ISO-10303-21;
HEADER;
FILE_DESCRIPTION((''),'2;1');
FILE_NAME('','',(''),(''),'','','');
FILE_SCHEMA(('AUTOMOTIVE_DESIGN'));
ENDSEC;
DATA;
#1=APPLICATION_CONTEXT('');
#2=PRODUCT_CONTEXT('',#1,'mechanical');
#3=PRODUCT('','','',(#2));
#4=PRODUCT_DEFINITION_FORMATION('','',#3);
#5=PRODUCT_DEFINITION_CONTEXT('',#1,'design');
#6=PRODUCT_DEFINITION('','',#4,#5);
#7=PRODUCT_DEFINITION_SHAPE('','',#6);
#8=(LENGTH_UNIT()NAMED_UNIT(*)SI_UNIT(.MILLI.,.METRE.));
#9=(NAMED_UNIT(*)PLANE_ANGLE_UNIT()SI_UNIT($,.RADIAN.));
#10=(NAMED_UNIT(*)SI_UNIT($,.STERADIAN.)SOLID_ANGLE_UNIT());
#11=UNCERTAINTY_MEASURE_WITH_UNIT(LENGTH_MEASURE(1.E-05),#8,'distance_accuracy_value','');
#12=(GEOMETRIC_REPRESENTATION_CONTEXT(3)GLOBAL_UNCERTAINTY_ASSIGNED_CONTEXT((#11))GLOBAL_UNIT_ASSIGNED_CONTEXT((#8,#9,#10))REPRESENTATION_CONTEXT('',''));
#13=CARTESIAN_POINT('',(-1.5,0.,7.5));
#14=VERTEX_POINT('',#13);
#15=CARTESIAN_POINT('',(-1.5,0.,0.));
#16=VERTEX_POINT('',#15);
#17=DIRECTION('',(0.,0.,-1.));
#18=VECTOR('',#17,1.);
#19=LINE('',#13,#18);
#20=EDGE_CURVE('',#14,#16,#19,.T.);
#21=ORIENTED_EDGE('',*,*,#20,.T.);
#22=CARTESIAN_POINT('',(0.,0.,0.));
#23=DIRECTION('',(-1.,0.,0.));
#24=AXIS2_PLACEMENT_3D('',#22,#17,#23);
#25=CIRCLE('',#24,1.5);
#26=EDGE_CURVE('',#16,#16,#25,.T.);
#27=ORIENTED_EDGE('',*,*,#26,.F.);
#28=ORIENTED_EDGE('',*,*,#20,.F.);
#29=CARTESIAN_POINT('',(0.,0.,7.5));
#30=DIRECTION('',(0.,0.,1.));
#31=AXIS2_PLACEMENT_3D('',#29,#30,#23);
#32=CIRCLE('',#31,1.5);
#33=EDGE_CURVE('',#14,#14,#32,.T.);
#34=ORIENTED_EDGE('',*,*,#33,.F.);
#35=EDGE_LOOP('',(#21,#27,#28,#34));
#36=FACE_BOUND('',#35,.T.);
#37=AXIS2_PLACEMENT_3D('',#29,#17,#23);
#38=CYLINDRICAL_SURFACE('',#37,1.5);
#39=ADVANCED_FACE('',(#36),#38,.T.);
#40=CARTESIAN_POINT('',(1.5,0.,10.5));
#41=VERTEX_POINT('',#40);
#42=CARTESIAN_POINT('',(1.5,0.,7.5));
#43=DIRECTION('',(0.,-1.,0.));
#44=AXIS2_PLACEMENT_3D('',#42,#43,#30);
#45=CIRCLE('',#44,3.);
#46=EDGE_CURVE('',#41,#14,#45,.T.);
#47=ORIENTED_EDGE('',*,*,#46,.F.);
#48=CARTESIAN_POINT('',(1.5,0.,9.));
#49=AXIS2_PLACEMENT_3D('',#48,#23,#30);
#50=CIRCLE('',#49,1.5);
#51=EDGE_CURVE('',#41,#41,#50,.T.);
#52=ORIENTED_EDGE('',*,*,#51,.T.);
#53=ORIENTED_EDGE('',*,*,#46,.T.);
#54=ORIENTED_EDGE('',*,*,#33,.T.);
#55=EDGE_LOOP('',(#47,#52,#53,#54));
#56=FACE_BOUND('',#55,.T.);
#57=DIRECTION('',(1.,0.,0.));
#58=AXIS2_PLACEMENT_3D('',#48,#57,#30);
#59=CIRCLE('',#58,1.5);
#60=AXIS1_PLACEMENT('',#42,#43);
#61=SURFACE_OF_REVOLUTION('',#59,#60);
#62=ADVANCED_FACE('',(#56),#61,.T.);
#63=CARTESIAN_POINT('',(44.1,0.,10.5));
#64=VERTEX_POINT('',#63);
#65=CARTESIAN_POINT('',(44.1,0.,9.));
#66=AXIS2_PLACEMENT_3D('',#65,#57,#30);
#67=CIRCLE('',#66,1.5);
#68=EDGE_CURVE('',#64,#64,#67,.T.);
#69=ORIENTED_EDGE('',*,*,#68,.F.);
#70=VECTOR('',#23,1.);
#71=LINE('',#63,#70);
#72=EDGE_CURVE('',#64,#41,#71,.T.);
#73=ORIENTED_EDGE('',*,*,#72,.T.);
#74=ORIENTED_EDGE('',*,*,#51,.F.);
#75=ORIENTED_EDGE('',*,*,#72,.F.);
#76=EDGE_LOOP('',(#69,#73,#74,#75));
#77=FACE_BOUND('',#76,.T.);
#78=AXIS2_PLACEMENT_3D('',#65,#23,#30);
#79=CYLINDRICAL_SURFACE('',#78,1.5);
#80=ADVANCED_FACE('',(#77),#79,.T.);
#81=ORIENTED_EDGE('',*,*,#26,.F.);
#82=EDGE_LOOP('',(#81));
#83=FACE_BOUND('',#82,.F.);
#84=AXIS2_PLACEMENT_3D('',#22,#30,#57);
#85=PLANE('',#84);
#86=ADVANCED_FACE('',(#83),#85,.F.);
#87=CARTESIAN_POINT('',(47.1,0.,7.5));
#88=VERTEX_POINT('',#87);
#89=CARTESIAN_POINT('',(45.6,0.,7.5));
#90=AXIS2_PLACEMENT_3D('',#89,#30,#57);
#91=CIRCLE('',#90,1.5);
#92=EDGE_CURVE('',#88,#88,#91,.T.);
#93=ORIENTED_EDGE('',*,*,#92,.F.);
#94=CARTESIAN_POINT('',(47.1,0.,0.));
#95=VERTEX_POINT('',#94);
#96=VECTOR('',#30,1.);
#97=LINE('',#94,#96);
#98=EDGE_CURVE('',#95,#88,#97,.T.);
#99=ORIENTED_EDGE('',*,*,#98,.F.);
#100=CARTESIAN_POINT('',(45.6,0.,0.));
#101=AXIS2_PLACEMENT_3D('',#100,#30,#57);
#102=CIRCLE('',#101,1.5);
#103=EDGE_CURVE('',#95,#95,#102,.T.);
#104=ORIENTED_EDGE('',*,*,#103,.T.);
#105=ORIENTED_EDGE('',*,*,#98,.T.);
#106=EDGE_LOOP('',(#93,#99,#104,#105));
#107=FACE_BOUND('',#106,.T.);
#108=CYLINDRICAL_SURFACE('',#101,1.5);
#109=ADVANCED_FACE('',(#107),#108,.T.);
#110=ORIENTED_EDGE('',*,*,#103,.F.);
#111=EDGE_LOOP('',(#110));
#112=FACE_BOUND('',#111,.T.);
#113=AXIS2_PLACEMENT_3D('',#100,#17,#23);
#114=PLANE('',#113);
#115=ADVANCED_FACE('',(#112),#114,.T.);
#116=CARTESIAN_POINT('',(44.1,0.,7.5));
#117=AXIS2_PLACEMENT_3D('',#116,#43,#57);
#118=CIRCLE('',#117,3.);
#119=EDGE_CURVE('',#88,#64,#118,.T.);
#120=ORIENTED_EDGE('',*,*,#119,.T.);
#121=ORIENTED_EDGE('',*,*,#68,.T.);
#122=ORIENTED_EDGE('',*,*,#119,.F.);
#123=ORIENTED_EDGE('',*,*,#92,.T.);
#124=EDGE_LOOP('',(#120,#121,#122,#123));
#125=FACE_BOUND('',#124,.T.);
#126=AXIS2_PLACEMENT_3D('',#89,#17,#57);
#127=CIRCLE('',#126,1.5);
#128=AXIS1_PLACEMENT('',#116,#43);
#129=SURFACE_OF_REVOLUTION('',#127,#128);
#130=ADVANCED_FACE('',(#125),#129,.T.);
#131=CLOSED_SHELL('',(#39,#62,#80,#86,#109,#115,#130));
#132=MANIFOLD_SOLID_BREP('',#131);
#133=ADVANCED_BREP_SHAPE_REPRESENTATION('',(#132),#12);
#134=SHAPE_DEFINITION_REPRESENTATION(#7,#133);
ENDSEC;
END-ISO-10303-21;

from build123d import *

# Parameters (mm, degrees)
F2_R = 1.5


with BuildPart() as f3:
    # F3: sweep along a path in F0
    with BuildLine(Plane.XZ) as f3_path:
        Line((45.6, 0), (45.6, 7.5))
        ThreePointArc((45.6, 7.5), (45.1606601718, 8.5606601718), (44.1, 9))
        Line((44.1, 9), (1.5, 9))
        ThreePointArc((1.5, 9), (0.4393398282, 8.5606601718), (0, 7.5))
        Line((0, 7.5), (0, 0))
    # F2 (on line) → F3 (sweep)
    with BuildSketch(Plane(origin=(0, 0, 0), x_dir=(1, 0, 0), z_dir=(0, 0, -1))):
        with Locations((45.6, 0)):
            Circle(F2_R)
    sweep(path=f3_path.line)


solid = f3.part
